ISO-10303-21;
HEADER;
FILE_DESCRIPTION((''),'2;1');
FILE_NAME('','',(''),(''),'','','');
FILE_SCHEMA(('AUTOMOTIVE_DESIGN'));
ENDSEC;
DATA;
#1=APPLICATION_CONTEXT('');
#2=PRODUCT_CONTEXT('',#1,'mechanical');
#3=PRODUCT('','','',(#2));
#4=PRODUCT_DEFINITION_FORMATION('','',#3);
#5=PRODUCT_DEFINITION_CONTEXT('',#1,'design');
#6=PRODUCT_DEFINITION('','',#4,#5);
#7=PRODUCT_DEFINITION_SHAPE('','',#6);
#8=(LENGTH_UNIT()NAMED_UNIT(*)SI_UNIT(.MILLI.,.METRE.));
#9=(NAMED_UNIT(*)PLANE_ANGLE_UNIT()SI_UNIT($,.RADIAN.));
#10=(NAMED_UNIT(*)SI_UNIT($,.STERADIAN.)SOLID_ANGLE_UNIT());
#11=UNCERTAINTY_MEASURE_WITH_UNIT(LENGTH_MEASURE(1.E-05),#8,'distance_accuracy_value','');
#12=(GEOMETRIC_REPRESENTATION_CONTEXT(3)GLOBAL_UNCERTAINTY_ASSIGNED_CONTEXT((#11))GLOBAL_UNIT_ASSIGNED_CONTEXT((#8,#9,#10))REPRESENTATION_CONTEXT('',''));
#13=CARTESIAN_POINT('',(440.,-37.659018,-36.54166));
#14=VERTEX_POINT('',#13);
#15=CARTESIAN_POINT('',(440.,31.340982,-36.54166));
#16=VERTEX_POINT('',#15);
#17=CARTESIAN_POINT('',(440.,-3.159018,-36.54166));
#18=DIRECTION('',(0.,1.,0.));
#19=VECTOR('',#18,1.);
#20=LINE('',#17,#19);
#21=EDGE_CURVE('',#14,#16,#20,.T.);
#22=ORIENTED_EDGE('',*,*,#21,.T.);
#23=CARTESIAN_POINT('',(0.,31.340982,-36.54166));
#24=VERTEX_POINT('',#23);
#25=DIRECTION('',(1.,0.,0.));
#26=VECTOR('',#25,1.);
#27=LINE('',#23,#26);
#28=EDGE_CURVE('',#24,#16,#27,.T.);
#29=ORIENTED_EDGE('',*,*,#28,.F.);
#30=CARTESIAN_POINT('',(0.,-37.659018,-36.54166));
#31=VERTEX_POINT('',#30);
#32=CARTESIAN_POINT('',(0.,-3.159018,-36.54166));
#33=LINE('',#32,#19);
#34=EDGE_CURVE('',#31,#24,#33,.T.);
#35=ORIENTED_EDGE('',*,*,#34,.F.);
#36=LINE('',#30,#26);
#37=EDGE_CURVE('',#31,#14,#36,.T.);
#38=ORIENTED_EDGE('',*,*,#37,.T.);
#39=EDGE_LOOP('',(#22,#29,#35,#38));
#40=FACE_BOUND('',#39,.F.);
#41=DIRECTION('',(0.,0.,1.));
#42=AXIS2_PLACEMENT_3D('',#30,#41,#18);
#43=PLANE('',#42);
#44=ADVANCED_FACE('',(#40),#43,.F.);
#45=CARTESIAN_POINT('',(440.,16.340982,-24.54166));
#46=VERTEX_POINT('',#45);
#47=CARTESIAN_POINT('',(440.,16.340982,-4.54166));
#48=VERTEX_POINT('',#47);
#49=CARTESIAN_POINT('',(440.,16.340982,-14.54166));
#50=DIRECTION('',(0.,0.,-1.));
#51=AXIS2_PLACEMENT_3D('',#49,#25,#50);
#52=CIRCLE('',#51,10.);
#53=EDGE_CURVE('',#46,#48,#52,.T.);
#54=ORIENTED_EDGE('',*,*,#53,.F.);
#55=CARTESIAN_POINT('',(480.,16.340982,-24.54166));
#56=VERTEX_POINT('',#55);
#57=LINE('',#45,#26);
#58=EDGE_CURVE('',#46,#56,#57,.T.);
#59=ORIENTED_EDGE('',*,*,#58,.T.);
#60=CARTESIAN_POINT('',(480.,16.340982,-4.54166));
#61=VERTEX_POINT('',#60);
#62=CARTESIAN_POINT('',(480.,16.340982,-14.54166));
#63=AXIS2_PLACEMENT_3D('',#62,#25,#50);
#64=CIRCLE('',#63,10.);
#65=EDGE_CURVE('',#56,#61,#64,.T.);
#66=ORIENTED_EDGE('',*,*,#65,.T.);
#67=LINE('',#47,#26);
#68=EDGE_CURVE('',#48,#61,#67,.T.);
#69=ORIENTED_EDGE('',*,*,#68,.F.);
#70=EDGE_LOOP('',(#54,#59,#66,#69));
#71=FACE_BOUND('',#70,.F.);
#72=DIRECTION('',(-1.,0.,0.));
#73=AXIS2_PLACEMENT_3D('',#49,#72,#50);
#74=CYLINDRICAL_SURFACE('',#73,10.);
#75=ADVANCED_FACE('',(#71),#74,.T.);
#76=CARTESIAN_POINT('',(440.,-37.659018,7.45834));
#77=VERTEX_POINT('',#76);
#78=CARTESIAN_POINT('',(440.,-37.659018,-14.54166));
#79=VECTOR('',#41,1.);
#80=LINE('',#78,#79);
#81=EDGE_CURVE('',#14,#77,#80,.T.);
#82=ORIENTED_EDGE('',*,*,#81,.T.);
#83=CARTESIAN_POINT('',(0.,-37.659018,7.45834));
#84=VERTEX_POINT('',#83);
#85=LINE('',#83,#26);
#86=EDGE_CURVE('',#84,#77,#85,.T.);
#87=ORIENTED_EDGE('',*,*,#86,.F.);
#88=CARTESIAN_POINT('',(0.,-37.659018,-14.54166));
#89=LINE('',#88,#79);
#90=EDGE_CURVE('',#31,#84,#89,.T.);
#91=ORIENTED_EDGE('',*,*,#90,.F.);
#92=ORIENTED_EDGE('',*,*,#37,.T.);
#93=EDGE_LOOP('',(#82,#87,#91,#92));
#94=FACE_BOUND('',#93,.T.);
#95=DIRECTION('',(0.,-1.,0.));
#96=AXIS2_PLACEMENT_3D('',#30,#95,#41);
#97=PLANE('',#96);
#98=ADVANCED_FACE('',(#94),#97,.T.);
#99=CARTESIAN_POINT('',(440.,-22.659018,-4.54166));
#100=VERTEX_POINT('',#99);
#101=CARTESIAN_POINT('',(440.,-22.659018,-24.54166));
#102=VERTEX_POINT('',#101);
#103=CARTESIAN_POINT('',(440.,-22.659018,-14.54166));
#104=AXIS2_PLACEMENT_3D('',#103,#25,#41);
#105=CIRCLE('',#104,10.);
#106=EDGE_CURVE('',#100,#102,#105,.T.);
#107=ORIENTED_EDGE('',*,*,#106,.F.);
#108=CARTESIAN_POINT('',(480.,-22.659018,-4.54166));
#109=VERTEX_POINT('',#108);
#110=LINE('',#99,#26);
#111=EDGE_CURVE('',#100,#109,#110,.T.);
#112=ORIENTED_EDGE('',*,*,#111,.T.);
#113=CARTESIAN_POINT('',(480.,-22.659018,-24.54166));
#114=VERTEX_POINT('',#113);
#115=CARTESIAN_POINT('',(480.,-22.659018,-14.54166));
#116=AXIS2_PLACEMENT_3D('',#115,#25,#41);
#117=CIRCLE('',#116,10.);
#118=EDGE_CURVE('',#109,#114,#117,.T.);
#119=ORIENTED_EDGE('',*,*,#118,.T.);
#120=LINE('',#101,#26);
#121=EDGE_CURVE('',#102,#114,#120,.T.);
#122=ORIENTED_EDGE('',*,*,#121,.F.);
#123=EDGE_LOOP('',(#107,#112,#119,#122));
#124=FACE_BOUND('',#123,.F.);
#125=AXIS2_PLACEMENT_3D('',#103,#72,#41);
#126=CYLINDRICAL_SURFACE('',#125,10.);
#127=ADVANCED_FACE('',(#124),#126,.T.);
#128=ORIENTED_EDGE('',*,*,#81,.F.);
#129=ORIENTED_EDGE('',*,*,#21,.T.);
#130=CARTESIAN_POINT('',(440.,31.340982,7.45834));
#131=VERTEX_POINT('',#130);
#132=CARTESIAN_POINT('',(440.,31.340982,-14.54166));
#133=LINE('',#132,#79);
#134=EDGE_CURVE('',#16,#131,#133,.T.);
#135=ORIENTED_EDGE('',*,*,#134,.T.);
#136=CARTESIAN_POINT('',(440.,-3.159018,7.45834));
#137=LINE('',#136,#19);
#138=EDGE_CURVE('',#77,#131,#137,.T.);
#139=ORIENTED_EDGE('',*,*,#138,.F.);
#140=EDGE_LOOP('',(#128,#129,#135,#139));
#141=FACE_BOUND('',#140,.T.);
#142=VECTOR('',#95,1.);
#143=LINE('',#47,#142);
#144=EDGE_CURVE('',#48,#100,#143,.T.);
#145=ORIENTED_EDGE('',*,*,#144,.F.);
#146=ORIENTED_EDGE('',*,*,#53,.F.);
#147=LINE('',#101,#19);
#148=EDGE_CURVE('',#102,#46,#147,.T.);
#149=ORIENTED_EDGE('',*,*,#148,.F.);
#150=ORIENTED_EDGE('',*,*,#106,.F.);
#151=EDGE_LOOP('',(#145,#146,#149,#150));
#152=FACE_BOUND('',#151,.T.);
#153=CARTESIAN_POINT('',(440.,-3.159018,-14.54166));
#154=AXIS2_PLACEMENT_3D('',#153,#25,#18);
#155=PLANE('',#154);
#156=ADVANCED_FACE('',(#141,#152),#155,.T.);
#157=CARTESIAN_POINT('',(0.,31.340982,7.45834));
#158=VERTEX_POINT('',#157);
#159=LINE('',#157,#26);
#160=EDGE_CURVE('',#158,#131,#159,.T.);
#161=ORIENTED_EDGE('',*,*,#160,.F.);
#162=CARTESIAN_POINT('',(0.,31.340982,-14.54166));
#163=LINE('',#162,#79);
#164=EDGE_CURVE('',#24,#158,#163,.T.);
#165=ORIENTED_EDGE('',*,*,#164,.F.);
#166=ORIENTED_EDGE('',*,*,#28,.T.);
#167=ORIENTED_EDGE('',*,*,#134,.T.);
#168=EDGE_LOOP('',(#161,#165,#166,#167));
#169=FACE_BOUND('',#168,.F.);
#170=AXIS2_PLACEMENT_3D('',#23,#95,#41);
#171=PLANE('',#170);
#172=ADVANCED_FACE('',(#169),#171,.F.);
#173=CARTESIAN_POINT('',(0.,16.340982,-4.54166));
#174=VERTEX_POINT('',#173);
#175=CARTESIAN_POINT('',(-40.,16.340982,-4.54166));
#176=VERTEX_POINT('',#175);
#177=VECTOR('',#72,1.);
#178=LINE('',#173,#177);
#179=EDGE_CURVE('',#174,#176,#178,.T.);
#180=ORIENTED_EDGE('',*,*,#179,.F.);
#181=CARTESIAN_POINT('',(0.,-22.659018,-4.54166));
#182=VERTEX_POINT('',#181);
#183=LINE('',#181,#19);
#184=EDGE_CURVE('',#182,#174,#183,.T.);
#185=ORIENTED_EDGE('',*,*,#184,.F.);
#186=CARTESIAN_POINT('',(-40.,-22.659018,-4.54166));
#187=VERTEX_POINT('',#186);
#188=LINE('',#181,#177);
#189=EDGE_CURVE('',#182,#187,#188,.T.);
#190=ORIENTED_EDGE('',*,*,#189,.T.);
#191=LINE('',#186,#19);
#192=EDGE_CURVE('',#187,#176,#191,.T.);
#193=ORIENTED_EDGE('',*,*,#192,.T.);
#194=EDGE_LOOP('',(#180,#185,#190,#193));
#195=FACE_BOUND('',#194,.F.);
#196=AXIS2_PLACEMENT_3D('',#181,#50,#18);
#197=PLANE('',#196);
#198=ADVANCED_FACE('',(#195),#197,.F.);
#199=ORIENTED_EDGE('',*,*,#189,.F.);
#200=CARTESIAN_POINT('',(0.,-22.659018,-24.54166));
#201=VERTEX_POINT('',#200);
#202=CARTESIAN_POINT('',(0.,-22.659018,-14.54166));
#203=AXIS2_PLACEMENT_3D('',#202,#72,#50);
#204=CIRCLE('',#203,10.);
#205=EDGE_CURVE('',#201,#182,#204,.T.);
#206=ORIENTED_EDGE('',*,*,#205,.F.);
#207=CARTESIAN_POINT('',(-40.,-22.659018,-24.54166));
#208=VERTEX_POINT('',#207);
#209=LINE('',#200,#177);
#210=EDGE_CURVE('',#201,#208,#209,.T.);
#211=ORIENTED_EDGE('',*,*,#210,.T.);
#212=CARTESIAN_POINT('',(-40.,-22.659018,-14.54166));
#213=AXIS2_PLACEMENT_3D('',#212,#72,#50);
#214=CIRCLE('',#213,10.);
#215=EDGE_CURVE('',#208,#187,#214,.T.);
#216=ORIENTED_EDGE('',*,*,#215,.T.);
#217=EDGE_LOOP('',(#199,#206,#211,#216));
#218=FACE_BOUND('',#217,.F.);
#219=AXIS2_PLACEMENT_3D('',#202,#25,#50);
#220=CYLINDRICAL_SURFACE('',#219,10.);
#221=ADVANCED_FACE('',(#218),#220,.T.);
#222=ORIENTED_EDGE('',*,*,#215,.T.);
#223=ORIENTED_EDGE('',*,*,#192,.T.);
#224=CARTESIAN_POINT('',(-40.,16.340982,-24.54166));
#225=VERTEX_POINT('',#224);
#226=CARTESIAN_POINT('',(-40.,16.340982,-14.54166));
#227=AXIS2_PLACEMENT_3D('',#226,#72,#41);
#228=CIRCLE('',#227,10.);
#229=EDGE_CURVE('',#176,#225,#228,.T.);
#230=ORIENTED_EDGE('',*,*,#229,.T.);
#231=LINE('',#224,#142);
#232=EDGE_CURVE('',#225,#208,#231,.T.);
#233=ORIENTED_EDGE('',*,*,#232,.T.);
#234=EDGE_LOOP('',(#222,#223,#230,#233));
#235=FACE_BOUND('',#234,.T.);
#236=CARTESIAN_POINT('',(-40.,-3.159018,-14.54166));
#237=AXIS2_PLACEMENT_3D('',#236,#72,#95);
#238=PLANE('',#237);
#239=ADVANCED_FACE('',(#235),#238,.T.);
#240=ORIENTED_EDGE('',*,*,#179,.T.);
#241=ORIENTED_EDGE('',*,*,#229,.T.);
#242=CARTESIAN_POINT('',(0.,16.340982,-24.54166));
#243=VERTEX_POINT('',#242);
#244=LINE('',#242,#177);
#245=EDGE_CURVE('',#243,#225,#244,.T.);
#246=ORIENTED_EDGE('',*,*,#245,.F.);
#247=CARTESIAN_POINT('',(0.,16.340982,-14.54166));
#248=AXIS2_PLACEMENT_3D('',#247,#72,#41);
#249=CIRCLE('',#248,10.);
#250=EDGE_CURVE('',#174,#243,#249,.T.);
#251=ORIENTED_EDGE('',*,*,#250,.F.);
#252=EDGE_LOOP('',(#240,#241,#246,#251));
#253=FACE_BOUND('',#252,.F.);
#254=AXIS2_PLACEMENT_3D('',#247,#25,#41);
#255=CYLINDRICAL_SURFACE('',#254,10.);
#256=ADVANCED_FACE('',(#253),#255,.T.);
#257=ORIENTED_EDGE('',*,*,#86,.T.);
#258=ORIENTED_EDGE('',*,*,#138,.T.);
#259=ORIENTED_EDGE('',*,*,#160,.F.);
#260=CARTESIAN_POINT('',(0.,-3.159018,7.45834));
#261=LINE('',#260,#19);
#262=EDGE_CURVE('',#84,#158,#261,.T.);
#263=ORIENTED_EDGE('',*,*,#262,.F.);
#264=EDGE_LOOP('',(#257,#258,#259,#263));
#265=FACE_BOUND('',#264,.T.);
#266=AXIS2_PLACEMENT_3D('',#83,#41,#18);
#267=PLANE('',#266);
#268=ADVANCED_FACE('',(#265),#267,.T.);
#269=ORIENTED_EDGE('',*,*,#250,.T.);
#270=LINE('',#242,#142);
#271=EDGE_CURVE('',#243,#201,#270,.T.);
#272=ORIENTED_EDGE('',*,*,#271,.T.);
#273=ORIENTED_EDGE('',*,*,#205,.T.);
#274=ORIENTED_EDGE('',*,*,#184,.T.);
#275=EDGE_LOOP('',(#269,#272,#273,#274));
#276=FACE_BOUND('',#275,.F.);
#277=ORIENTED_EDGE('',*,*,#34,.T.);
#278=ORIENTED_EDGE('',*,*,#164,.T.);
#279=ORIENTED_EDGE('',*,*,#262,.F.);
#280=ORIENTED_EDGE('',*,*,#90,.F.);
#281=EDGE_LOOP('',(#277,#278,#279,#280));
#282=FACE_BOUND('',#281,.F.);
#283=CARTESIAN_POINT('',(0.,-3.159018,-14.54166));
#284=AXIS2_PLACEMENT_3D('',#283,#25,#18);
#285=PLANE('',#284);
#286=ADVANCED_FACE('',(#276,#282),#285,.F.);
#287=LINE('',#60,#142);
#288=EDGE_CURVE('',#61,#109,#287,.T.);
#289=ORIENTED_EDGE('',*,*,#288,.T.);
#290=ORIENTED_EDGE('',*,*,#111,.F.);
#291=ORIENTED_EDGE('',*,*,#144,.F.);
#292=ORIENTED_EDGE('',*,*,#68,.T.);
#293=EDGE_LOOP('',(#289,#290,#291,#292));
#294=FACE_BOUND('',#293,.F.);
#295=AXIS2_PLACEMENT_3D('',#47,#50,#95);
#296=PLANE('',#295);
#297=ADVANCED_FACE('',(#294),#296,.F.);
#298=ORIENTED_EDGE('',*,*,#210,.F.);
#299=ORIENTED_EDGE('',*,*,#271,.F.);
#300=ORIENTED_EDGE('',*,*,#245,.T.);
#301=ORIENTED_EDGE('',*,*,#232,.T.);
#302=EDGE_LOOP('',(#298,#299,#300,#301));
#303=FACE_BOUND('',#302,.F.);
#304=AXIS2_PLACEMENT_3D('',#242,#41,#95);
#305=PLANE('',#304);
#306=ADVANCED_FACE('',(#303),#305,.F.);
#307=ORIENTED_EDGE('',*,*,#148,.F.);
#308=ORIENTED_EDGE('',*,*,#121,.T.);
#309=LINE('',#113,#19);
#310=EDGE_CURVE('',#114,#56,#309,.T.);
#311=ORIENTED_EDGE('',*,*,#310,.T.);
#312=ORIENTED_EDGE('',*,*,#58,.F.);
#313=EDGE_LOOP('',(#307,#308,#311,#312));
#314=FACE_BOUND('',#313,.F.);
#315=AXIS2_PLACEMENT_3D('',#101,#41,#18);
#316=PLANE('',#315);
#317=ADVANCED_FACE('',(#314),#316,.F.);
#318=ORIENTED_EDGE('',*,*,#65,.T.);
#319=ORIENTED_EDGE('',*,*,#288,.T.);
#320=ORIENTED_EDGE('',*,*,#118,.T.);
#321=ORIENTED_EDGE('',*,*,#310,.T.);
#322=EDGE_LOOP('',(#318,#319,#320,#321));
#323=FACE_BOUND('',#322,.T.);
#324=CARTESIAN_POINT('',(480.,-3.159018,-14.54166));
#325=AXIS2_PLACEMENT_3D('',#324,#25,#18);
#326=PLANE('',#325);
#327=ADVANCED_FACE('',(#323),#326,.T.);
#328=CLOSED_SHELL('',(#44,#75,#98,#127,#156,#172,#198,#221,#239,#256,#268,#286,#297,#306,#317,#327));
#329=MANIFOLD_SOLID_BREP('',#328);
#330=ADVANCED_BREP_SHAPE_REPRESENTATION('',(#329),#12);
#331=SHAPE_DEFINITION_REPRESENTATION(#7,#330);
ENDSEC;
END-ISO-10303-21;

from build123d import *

# Parameters (mm, degrees)
F0_W     = 69
F0_H     = 44
F1_DEPTH = 440
F3_DEPTH = 40
F5_DEPTH = 40


with BuildPart() as f1:
    # F0 (on Right) → F1 (new body)
    with BuildSketch(Plane.YZ):
        with Locations((-3.159018, -14.54166)):
            Rectangle(F0_W, F0_H)
    extrude(amount=F1_DEPTH)

    # F2 (on face) → F3 (join)
    with BuildSketch(Plane(origin=(0, 0, 0), x_dir=(0, -1, 0), z_dir=(-1, 0, 0))):
        with BuildLine():
            ThreePointArc((-16.340982, -4.54166), (-26.340982, -14.54166), (-16.340982, -24.54166))
            Line((-16.340982, -24.54166), (22.659018, -24.54166))
            ThreePointArc((22.659018, -24.54166), (32.659018, -14.54166), (22.659018, -4.54166))
            Line((22.659018, -4.54166), (-16.340982, -4.54166))
        make_face()
    extrude(amount=F3_DEPTH)

    # F4 (on face) → F5 (join)
    with BuildSketch(Plane.YZ.offset(440)):
        with BuildLine():
            ThreePointArc((16.340982, -24.54166), (26.340982, -14.54166), (16.340982, -4.54166))
            Line((16.340982, -4.54166), (-22.659018, -4.54166))
            ThreePointArc((-22.659018, -4.54166), (-32.659018, -14.54166), (-22.659018, -24.54166))
            Line((-22.659018, -24.54166), (16.340982, -24.54166))
        make_face()
    extrude(amount=F5_DEPTH)


solid = f1.part
